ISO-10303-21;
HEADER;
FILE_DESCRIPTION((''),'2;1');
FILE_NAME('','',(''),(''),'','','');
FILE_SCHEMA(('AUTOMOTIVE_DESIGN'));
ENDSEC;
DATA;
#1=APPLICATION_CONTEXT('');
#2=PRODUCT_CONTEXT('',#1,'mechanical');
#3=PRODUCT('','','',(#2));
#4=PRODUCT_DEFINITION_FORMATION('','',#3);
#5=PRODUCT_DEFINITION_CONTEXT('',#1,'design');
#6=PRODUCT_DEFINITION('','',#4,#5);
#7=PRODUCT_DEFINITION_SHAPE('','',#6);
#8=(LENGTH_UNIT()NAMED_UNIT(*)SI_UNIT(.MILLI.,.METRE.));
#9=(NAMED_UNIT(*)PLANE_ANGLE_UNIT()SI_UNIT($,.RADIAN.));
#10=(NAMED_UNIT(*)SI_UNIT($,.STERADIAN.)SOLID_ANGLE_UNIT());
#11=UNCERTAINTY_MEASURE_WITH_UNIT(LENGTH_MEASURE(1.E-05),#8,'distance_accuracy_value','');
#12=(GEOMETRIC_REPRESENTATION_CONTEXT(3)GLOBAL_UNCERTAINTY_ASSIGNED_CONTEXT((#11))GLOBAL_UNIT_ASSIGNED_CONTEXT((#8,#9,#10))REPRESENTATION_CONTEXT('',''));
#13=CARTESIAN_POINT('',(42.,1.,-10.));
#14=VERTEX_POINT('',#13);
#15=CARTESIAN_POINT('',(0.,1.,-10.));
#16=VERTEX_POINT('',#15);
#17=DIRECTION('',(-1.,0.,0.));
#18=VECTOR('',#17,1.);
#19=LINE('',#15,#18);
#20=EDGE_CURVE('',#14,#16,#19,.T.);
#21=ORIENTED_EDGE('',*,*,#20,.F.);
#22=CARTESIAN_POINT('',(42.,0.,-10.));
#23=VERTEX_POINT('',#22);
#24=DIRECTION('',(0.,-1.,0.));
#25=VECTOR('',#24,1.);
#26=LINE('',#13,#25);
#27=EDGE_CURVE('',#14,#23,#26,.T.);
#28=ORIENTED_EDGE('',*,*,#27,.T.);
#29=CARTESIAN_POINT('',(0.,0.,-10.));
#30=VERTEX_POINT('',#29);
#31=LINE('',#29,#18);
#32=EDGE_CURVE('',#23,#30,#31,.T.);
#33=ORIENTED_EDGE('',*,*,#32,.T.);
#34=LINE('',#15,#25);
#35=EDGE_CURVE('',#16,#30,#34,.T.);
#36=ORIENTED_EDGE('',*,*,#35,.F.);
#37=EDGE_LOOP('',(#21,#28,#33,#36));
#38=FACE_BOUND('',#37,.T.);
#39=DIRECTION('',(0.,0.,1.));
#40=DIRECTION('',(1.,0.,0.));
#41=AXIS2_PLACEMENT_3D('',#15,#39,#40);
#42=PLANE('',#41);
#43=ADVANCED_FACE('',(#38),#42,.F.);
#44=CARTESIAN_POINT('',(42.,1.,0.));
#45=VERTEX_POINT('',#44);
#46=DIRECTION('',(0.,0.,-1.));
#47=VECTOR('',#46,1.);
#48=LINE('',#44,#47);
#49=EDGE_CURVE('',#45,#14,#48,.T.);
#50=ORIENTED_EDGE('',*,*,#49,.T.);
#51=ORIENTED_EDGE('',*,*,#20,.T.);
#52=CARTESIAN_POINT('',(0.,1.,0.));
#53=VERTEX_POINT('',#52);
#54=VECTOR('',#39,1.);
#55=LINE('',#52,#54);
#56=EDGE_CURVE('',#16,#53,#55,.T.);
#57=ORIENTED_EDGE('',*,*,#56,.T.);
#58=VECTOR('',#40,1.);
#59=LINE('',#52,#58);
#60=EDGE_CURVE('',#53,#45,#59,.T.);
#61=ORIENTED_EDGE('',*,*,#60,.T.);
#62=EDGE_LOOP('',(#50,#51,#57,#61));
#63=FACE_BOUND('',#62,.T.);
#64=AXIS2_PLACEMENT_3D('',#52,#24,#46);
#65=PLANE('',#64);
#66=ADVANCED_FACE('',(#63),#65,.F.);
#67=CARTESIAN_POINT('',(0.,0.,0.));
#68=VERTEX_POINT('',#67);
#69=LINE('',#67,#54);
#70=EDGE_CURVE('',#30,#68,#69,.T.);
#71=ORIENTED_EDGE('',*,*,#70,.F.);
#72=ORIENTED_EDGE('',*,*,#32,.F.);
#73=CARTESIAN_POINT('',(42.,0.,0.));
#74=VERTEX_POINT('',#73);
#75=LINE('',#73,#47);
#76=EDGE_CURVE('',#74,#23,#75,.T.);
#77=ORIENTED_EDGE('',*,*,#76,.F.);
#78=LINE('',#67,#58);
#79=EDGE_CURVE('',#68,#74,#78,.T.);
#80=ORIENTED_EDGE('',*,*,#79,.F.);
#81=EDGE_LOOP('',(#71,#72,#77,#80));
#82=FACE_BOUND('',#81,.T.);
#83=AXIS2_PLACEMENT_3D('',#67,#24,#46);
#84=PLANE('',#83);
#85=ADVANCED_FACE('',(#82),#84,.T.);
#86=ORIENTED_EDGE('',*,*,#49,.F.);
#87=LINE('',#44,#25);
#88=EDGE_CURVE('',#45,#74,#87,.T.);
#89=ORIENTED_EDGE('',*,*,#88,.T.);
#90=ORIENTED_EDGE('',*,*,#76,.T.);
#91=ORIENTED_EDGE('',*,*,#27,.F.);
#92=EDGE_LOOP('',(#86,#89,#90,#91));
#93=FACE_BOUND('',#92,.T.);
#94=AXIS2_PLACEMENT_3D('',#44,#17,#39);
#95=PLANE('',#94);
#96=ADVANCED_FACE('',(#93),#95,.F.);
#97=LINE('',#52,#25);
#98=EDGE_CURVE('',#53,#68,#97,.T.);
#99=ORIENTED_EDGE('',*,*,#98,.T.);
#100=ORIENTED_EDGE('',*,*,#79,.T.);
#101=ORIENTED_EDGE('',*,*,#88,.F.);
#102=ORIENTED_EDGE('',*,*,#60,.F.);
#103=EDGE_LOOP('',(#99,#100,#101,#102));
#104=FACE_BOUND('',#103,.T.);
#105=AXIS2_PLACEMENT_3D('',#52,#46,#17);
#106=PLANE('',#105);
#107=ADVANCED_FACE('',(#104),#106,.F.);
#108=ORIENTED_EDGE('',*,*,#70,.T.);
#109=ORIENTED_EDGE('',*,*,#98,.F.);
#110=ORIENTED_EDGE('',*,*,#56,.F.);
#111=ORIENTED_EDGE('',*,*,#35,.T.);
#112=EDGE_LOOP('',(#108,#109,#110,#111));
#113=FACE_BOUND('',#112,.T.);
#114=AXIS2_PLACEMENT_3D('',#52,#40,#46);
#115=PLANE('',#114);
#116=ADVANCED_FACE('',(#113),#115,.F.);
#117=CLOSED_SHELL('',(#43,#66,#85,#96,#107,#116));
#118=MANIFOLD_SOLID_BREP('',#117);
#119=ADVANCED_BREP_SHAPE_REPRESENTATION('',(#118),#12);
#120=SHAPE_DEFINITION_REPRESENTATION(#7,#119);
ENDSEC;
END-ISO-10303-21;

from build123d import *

# Parameters (mm, degrees)
SKETCH_1_W      = 42
SKETCH_1_H      = 10
EXTRUDE_1_DEPTH = 1


with BuildPart() as part:
    # Эскиз1 → Бобышка-Вытянуть1 (new body)
    with BuildSketch(Plane(origin=(0, 0, 0), x_dir=(1, 0, 0), z_dir=(0, 1, 0))):
        with Locations((21, 5)):
            Rectangle(SKETCH_1_W, SKETCH_1_H)
    extrude(amount=EXTRUDE_1_DEPTH)


solid = part.part
